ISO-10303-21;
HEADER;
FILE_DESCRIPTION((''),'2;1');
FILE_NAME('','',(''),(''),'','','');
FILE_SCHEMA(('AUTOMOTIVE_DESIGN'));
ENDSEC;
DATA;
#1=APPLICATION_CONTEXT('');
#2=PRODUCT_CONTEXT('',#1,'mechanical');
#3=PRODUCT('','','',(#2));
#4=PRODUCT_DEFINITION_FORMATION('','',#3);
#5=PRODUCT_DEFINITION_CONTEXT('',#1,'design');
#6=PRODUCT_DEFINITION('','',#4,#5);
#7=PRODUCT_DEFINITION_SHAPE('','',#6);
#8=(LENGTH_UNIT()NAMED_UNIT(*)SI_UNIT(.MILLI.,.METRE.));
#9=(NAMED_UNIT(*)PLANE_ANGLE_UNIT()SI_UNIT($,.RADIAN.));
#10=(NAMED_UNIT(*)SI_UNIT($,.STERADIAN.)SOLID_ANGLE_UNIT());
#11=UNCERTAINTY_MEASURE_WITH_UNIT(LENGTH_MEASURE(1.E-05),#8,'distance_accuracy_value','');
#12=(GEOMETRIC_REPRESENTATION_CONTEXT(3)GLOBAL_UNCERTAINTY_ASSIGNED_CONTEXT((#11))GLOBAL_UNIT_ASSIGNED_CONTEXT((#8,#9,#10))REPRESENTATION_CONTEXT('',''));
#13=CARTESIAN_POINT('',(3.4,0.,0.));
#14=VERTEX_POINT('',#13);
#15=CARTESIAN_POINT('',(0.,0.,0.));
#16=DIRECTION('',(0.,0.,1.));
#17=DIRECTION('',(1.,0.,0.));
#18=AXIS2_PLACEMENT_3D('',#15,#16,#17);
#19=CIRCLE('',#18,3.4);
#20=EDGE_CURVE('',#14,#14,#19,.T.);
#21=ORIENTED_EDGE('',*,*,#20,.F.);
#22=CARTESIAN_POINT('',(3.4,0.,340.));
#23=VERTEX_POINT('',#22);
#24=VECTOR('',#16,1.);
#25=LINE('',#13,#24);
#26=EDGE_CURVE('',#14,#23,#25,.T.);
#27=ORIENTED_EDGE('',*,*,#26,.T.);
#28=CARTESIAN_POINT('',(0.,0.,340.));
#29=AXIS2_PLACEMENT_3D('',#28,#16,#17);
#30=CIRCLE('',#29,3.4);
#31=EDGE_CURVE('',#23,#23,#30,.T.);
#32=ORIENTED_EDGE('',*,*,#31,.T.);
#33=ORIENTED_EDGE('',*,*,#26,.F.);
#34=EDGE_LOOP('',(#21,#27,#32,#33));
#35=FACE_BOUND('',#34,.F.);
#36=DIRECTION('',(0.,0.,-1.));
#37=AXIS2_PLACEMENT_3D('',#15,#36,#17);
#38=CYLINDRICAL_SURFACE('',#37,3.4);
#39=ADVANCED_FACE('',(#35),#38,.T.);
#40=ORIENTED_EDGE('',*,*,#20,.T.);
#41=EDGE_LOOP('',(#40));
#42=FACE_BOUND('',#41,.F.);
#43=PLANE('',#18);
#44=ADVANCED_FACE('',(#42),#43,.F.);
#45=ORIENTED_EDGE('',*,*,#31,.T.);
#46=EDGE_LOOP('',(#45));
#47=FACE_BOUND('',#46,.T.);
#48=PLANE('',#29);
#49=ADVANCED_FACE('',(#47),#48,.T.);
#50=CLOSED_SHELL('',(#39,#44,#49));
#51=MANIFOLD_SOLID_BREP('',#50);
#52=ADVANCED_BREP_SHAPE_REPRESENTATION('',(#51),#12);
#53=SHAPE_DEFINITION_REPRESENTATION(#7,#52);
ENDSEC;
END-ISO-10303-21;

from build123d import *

# Parameters (mm, degrees)
CYLINDER_R     = 3.4
CYLINDER_DEPTH = 340


with BuildPart() as part:
    # Cylinder → Cylinder (new body)
    with BuildSketch(Plane.XY):
        Circle(CYLINDER_R)
    extrude(amount=CYLINDER_DEPTH)


solid = part.part
